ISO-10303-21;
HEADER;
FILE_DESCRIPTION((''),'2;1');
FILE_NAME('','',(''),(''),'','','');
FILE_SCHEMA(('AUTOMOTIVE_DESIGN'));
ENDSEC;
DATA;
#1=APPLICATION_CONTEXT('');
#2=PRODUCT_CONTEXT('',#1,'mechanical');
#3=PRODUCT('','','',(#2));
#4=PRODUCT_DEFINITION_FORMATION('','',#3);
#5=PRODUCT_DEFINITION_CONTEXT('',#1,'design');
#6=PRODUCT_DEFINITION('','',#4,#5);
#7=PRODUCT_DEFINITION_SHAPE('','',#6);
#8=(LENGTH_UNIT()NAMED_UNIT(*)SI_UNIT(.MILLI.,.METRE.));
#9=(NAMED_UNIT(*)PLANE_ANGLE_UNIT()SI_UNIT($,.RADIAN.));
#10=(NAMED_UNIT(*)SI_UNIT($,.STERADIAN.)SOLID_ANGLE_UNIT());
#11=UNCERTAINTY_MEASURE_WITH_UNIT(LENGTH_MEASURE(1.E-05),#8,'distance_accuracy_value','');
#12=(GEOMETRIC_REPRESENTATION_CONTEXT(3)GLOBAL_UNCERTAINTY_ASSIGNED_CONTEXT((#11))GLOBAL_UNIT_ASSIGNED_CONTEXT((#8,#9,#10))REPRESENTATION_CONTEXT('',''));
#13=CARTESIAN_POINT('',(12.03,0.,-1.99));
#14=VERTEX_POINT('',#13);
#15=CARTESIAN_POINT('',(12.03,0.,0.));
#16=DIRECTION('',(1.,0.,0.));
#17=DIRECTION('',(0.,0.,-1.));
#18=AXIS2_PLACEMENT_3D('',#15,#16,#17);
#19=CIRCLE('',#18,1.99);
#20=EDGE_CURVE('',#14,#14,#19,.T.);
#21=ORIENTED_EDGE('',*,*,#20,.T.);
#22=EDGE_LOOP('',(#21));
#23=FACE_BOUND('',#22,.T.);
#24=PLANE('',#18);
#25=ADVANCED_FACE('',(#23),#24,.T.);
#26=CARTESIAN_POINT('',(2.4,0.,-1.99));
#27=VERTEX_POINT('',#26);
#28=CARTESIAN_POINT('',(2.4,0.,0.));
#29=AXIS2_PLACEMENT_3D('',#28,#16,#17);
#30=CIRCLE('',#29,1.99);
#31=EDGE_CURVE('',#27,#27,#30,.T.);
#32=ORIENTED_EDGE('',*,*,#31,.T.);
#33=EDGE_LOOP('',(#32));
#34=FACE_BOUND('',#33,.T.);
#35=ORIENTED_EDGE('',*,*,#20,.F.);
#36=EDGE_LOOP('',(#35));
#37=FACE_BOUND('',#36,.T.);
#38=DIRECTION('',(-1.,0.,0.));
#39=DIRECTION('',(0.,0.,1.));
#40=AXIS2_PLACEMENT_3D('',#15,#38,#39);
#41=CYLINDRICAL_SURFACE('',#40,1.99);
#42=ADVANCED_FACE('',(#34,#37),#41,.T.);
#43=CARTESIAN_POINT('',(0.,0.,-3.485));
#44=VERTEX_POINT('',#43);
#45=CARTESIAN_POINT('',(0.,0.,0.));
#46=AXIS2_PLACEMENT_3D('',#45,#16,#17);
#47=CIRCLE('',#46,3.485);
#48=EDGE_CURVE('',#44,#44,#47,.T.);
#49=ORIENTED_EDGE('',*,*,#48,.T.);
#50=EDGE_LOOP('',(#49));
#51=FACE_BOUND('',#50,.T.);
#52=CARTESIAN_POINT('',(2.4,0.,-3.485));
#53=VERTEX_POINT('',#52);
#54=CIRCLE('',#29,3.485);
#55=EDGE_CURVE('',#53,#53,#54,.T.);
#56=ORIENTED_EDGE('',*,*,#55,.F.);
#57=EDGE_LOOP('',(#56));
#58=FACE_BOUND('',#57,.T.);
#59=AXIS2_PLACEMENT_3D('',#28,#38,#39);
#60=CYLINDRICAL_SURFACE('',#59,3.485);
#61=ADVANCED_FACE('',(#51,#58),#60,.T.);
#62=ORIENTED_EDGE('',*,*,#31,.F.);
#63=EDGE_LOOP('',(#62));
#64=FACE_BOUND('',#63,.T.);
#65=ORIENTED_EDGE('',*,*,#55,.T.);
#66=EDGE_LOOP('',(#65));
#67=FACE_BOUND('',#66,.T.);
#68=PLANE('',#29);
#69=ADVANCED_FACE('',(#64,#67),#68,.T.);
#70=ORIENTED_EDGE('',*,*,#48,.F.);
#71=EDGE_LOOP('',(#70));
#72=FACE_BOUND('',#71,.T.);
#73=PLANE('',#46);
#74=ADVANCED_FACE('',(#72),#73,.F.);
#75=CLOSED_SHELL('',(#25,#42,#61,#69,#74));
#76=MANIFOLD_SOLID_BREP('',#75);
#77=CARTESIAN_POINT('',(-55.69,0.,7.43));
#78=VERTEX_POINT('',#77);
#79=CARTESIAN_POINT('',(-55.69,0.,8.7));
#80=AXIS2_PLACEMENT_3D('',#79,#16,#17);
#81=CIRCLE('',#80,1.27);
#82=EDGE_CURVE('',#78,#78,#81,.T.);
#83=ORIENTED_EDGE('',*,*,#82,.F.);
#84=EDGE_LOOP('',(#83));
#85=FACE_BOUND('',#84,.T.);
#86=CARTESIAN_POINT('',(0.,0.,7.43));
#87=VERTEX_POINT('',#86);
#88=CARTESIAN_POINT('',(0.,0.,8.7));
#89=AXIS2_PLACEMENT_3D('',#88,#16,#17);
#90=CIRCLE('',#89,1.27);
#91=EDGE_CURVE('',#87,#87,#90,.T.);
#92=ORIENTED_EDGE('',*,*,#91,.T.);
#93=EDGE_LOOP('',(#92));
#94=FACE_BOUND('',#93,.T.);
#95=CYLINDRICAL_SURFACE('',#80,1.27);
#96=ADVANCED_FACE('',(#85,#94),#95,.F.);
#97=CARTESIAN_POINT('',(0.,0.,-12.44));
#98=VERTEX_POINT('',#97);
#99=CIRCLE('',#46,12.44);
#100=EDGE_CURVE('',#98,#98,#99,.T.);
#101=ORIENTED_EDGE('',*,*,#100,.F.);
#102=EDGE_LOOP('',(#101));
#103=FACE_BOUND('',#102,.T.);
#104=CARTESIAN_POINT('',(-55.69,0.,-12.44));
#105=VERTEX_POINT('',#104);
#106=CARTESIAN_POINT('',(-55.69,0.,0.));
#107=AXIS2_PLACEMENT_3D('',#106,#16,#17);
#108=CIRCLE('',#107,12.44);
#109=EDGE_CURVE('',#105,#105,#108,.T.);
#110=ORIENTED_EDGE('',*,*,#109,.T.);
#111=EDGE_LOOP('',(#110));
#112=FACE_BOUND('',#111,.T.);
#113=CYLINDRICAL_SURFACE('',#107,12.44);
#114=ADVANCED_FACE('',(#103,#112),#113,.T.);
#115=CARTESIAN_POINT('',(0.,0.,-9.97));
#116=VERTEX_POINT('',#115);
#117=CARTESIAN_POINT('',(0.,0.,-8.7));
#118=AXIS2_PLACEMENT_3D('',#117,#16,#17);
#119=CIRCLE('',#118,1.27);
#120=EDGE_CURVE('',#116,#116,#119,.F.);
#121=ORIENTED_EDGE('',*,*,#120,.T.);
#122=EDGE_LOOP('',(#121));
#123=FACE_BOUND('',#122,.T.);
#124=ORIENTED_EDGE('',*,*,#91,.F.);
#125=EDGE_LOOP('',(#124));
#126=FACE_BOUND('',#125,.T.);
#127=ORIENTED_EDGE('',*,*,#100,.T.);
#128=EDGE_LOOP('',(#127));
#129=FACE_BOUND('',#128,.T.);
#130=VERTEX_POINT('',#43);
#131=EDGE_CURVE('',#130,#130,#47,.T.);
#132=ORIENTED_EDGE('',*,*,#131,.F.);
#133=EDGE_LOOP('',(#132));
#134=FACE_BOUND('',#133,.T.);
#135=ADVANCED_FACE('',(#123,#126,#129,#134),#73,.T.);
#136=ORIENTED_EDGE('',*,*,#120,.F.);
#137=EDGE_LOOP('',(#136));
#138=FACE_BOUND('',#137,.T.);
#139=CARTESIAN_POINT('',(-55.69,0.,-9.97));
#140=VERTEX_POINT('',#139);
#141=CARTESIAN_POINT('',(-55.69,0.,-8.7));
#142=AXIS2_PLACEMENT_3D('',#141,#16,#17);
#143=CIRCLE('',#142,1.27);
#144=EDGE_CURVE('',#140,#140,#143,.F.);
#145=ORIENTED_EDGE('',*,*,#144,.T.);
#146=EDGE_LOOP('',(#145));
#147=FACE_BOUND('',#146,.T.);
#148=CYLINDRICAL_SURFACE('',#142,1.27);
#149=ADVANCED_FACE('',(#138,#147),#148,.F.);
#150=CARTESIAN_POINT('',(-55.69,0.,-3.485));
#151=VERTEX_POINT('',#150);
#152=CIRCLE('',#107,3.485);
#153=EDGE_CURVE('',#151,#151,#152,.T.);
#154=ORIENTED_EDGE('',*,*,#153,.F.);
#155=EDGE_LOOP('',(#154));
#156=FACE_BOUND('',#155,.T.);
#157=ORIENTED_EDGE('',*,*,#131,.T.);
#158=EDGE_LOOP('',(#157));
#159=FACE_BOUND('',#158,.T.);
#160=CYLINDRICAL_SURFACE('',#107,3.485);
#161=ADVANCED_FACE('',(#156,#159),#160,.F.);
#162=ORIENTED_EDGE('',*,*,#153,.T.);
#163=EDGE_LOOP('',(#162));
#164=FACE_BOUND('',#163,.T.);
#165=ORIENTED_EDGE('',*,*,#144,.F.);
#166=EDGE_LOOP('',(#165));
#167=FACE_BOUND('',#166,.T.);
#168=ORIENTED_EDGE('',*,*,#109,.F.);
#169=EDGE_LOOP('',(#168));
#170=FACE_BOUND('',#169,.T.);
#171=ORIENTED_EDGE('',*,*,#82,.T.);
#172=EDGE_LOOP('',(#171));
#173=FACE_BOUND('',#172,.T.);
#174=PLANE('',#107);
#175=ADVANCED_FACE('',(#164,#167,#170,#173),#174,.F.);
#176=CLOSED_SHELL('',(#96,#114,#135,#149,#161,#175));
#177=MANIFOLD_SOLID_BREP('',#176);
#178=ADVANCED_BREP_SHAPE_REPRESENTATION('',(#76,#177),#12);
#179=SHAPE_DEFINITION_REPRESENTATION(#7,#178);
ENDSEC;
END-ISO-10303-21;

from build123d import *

# Parameters (mm, degrees)
SKETCH1_R           = 1.99
BOSS_EXTRUDE1_DEPTH = 12.03
SKETCH1_3_R         = 3.485
SKETCH1_3_R_2       = 1.99
BOSS_EXTRUDE2_DEPTH = 2.4
SKETCH1_4_R         = 12.44
SKETCH1_4_R_2       = 1.27
SKETCH1_4_R_3       = 3.485
BOSS_EXTRUDE3_DEPTH = 55.69


with BuildPart() as part:
    # Sketch1 → Boss-Extrude1 (new body)
    with BuildSketch(Plane(origin=(0, 0, 0), x_dir=(0, 0, -1), z_dir=(1, 0, 0))):
        Circle(SKETCH1_R)
    extrude(amount=BOSS_EXTRUDE1_DEPTH)

    # Sketch1<3> → Boss-Extrude2 (add)
    with BuildSketch(Plane(origin=(0, 0, 0), x_dir=(0, 0, -1), z_dir=(1, 0, 0))):
        Circle(SKETCH1_3_R)
        Circle(SKETCH1_3_R_2, mode=Mode.SUBTRACT)
    extrude(amount=BOSS_EXTRUDE2_DEPTH)


with BuildPart() as body_2:
    # Sketch1<4> → Boss-Extrude3 (new body)
    with BuildSketch(Plane(origin=(0, 0, 0), x_dir=(0, 0, -1), z_dir=(1, 0, 0))):
        Circle(SKETCH1_4_R)
        with Locations((-8.7, 0)):
            Circle(SKETCH1_4_R_2, mode=Mode.SUBTRACT)
        Circle(SKETCH1_4_R_3, mode=Mode.SUBTRACT)
        with Locations((8.7, 0)):
            Circle(SKETCH1_4_R_2, mode=Mode.SUBTRACT)
    extrude(amount=-BOSS_EXTRUDE3_DEPTH)


solid = Compound([part.part, body_2.part])
